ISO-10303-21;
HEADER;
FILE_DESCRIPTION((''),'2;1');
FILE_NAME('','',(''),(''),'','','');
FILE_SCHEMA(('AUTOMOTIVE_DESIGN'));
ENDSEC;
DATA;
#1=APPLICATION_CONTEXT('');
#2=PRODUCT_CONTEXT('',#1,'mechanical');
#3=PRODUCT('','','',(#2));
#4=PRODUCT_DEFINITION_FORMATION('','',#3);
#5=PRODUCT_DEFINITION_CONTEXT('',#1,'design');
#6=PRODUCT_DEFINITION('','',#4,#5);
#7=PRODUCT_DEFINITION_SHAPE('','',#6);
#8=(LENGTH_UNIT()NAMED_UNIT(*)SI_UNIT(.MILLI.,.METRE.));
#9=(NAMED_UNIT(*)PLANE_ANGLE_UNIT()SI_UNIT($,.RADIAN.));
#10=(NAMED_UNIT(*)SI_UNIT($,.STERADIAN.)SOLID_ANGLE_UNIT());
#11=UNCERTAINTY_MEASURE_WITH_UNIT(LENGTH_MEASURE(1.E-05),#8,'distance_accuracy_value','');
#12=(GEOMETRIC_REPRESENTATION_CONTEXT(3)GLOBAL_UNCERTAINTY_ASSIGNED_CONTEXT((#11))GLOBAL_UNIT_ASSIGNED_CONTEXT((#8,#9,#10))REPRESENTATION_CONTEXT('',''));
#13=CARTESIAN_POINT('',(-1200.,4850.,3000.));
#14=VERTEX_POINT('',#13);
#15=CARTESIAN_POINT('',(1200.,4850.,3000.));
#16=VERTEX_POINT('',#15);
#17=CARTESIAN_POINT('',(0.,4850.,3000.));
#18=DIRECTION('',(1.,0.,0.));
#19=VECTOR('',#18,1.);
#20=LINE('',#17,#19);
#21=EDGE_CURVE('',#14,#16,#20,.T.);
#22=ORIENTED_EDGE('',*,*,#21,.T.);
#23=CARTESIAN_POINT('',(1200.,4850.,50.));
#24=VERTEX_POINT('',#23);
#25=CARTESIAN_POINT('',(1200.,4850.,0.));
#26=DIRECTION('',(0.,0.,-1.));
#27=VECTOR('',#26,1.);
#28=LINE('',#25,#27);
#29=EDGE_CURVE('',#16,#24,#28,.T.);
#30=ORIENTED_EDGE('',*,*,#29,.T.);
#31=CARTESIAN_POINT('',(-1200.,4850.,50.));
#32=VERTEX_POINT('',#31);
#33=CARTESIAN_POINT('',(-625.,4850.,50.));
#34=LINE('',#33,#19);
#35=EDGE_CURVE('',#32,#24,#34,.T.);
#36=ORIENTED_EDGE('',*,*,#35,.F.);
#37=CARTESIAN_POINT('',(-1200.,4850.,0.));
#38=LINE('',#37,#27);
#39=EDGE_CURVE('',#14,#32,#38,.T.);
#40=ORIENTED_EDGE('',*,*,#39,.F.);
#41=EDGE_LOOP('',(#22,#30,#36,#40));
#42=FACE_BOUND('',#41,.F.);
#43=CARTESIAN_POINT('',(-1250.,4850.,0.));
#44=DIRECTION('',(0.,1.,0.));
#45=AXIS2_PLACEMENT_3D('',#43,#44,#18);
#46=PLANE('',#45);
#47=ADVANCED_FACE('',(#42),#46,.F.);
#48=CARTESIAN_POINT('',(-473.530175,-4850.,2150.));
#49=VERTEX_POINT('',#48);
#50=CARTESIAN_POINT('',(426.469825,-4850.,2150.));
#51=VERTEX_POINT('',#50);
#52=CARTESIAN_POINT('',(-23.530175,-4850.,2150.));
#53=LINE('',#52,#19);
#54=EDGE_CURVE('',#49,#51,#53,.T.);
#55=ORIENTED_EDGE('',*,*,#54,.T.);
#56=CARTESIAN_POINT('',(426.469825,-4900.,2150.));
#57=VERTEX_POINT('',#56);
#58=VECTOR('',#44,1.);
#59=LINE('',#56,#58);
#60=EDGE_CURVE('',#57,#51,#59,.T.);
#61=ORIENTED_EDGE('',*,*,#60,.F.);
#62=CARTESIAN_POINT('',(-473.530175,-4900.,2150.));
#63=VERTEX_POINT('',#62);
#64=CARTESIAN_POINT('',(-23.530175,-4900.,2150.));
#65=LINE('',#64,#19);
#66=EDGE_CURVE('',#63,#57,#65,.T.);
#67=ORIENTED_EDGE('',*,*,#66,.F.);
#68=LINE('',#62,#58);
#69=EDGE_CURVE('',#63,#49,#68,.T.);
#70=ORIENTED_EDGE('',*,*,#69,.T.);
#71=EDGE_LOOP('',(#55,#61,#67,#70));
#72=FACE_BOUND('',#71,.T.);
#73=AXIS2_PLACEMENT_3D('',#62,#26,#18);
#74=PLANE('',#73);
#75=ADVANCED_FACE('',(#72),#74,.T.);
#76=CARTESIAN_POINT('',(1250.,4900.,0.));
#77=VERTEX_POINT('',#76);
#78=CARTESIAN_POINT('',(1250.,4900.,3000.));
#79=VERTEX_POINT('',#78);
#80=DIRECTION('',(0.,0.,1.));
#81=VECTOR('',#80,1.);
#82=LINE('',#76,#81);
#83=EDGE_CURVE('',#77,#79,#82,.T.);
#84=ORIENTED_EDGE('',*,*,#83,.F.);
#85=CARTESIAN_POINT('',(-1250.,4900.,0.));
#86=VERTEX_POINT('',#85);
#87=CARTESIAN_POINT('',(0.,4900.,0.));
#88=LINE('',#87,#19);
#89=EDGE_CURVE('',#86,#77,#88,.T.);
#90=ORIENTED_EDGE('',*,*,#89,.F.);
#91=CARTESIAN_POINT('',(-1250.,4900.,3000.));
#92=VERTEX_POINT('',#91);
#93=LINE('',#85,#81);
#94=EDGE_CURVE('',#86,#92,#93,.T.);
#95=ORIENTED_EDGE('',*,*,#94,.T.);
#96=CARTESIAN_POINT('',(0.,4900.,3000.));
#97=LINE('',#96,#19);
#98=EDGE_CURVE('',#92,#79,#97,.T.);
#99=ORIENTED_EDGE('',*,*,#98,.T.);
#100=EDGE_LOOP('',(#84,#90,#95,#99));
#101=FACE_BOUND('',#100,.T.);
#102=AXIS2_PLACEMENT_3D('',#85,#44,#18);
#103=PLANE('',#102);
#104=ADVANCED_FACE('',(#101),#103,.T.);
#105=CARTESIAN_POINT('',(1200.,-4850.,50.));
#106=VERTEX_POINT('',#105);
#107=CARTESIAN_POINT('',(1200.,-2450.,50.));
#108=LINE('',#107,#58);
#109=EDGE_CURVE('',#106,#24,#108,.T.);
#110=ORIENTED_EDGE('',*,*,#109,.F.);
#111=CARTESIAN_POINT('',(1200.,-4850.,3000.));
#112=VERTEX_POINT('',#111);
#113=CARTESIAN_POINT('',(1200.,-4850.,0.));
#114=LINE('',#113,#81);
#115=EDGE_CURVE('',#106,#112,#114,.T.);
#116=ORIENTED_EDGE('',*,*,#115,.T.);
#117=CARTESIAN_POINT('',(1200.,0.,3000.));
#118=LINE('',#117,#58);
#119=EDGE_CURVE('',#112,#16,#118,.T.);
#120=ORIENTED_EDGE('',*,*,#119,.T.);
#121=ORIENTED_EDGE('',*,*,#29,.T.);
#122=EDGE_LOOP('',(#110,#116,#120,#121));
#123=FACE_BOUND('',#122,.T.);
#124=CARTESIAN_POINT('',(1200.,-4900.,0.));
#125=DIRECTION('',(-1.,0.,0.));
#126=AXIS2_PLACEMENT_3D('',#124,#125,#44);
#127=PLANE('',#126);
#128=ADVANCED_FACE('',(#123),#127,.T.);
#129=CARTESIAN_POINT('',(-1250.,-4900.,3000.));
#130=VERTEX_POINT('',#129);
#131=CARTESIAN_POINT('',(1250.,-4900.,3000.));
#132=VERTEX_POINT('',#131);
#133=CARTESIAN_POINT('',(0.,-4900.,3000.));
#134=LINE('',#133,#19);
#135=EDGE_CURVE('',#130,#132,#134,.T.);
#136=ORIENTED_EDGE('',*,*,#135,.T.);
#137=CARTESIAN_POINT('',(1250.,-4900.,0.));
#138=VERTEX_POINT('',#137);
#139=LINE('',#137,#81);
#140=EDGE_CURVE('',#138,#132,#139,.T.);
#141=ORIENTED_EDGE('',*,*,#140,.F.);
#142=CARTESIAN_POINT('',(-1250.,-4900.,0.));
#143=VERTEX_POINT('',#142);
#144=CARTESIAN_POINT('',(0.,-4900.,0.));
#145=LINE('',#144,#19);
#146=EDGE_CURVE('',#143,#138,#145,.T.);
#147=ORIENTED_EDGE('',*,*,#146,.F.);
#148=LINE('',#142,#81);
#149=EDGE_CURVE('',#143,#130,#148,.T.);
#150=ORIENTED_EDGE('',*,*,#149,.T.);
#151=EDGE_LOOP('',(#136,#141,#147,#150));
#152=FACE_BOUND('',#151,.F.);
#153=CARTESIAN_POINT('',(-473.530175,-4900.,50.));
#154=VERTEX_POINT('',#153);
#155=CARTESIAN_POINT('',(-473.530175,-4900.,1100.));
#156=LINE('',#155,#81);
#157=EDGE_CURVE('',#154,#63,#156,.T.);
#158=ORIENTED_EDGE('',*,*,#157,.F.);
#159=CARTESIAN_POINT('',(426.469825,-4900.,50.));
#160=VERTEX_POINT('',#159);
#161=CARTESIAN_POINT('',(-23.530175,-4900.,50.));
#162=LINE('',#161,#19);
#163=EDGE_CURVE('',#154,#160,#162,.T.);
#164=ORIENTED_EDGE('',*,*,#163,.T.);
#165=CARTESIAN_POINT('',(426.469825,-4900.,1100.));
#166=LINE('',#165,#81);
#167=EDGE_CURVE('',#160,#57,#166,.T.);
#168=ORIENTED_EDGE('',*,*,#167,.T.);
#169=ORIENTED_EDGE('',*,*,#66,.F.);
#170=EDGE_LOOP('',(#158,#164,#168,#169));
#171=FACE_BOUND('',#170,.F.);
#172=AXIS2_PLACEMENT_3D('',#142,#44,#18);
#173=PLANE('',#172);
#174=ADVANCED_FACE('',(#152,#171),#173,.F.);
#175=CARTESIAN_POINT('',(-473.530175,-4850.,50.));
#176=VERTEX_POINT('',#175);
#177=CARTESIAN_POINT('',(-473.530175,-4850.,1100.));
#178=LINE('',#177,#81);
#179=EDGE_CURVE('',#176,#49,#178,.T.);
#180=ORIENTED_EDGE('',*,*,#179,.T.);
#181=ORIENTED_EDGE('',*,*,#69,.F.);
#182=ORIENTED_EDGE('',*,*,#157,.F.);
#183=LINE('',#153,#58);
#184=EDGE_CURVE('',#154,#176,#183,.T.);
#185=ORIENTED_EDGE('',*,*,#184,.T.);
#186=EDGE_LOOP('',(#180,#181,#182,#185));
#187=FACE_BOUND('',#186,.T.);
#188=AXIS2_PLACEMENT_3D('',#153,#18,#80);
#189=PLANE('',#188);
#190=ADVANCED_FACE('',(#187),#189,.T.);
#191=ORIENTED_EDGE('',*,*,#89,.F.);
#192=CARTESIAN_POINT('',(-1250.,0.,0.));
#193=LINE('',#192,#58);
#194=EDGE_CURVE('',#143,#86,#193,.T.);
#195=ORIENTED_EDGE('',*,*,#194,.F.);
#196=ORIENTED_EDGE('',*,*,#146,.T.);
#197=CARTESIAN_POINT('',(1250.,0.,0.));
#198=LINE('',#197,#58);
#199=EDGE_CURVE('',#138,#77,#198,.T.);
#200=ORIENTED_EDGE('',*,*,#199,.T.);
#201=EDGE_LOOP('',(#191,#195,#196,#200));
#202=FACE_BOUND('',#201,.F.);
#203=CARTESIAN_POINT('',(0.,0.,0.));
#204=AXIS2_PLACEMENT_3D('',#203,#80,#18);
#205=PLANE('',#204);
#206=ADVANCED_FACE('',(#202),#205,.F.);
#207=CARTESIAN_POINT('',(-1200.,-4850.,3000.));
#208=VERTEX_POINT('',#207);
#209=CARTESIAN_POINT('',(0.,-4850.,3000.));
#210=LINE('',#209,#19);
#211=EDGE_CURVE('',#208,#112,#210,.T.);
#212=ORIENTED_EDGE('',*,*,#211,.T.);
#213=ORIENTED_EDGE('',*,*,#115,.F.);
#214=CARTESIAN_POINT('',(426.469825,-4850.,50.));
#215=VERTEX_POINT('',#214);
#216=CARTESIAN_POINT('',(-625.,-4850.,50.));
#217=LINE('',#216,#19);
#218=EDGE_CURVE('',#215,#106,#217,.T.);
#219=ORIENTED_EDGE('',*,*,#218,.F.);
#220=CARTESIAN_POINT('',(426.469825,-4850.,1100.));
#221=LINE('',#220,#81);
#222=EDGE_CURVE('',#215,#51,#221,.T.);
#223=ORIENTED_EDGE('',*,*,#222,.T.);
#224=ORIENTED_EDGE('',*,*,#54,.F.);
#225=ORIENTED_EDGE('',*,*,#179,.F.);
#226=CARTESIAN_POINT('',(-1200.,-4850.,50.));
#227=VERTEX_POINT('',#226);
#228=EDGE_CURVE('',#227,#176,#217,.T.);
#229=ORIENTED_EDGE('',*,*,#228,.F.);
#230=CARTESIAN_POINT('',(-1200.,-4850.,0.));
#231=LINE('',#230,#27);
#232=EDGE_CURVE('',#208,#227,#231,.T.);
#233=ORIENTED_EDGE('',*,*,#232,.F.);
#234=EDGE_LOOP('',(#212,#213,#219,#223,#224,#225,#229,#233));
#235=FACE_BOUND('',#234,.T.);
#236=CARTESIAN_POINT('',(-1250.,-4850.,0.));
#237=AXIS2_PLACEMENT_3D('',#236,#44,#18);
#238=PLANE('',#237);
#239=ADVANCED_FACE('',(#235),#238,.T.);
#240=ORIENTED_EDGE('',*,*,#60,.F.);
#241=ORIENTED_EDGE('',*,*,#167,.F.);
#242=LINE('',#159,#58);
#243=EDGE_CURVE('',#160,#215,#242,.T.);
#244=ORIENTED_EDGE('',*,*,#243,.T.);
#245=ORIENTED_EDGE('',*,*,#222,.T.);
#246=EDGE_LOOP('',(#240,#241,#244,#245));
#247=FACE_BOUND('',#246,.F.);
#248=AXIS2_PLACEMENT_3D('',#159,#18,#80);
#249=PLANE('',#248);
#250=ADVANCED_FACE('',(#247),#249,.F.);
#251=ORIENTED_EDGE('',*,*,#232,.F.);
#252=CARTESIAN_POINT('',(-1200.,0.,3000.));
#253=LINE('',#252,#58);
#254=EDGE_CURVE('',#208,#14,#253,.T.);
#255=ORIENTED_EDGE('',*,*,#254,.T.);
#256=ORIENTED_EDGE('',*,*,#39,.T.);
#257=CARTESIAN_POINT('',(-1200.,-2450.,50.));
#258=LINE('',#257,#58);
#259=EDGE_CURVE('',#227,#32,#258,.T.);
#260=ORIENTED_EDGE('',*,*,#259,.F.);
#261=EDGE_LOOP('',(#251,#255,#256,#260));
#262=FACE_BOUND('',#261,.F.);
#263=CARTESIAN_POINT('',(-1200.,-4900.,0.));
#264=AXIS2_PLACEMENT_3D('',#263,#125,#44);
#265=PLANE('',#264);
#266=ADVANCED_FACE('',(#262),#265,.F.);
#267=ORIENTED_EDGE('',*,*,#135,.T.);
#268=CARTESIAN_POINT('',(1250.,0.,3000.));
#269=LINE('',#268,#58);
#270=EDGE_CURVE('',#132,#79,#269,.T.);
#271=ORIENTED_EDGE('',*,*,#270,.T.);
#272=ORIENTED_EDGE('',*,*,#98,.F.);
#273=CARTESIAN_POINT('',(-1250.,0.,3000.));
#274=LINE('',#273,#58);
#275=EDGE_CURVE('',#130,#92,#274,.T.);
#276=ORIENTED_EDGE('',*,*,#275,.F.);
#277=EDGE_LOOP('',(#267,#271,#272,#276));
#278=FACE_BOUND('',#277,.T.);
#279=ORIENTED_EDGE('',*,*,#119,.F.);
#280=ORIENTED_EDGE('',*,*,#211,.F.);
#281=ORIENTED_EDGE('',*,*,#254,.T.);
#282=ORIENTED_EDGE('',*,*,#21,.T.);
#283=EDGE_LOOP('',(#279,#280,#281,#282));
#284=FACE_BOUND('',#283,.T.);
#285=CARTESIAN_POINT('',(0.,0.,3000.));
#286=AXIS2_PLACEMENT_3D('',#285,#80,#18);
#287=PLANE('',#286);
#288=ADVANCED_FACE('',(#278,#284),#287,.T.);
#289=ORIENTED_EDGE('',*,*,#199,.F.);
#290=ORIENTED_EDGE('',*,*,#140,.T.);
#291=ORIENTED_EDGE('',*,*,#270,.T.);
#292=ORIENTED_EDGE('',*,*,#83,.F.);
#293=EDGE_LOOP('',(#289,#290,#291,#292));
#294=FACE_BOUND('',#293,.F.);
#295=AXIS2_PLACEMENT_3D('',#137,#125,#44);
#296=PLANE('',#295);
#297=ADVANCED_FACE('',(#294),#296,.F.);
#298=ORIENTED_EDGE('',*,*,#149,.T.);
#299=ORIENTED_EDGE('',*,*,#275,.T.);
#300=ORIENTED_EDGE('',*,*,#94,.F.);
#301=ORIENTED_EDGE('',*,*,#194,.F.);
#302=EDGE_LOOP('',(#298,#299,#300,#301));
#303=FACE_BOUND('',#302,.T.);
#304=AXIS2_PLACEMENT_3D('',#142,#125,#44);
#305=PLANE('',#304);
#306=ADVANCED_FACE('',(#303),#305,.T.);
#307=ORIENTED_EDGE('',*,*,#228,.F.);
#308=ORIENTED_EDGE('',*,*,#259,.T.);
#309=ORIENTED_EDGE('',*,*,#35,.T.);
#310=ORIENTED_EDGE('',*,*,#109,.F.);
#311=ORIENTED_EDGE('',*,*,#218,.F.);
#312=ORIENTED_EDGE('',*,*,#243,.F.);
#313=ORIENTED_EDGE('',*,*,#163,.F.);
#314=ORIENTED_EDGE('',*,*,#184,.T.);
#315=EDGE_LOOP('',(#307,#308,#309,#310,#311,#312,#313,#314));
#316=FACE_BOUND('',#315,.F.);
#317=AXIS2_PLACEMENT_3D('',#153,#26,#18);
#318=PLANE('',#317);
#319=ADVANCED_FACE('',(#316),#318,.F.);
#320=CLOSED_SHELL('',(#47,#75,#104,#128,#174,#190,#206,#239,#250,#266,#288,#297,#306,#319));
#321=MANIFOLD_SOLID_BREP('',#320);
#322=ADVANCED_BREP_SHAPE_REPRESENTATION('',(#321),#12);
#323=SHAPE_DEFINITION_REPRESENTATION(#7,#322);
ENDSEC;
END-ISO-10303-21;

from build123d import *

# Parameters (mm, degrees)
F0_W     = 2500
F0_H     = 9800
F1_DEPTH = 3000
F2_T     = -50
F3_W     = 900
F3_H     = 2100
F4_DEPTH = 50


with BuildPart() as f1:
    # F0 (on Top) → F1 (new body)
    with BuildSketch(Plane.XY):
        Rectangle(F0_W, F0_H)
    extrude(amount=F1_DEPTH)

    # F2
    f2_openings = [f1.faces().sort_by_distance(p)[0] for p in [
        (0, 0, 3000),
    ]]
    offset(amount=F2_T, openings=f2_openings)

    # F3 (on face) → F4 (cut)
    with BuildSketch(Plane.XZ.offset(4900)):
        with Locations((-23.530175, 1100)):
            Rectangle(F3_W, F3_H)
    extrude(amount=-F4_DEPTH, mode=Mode.SUBTRACT)


solid = f1.part
